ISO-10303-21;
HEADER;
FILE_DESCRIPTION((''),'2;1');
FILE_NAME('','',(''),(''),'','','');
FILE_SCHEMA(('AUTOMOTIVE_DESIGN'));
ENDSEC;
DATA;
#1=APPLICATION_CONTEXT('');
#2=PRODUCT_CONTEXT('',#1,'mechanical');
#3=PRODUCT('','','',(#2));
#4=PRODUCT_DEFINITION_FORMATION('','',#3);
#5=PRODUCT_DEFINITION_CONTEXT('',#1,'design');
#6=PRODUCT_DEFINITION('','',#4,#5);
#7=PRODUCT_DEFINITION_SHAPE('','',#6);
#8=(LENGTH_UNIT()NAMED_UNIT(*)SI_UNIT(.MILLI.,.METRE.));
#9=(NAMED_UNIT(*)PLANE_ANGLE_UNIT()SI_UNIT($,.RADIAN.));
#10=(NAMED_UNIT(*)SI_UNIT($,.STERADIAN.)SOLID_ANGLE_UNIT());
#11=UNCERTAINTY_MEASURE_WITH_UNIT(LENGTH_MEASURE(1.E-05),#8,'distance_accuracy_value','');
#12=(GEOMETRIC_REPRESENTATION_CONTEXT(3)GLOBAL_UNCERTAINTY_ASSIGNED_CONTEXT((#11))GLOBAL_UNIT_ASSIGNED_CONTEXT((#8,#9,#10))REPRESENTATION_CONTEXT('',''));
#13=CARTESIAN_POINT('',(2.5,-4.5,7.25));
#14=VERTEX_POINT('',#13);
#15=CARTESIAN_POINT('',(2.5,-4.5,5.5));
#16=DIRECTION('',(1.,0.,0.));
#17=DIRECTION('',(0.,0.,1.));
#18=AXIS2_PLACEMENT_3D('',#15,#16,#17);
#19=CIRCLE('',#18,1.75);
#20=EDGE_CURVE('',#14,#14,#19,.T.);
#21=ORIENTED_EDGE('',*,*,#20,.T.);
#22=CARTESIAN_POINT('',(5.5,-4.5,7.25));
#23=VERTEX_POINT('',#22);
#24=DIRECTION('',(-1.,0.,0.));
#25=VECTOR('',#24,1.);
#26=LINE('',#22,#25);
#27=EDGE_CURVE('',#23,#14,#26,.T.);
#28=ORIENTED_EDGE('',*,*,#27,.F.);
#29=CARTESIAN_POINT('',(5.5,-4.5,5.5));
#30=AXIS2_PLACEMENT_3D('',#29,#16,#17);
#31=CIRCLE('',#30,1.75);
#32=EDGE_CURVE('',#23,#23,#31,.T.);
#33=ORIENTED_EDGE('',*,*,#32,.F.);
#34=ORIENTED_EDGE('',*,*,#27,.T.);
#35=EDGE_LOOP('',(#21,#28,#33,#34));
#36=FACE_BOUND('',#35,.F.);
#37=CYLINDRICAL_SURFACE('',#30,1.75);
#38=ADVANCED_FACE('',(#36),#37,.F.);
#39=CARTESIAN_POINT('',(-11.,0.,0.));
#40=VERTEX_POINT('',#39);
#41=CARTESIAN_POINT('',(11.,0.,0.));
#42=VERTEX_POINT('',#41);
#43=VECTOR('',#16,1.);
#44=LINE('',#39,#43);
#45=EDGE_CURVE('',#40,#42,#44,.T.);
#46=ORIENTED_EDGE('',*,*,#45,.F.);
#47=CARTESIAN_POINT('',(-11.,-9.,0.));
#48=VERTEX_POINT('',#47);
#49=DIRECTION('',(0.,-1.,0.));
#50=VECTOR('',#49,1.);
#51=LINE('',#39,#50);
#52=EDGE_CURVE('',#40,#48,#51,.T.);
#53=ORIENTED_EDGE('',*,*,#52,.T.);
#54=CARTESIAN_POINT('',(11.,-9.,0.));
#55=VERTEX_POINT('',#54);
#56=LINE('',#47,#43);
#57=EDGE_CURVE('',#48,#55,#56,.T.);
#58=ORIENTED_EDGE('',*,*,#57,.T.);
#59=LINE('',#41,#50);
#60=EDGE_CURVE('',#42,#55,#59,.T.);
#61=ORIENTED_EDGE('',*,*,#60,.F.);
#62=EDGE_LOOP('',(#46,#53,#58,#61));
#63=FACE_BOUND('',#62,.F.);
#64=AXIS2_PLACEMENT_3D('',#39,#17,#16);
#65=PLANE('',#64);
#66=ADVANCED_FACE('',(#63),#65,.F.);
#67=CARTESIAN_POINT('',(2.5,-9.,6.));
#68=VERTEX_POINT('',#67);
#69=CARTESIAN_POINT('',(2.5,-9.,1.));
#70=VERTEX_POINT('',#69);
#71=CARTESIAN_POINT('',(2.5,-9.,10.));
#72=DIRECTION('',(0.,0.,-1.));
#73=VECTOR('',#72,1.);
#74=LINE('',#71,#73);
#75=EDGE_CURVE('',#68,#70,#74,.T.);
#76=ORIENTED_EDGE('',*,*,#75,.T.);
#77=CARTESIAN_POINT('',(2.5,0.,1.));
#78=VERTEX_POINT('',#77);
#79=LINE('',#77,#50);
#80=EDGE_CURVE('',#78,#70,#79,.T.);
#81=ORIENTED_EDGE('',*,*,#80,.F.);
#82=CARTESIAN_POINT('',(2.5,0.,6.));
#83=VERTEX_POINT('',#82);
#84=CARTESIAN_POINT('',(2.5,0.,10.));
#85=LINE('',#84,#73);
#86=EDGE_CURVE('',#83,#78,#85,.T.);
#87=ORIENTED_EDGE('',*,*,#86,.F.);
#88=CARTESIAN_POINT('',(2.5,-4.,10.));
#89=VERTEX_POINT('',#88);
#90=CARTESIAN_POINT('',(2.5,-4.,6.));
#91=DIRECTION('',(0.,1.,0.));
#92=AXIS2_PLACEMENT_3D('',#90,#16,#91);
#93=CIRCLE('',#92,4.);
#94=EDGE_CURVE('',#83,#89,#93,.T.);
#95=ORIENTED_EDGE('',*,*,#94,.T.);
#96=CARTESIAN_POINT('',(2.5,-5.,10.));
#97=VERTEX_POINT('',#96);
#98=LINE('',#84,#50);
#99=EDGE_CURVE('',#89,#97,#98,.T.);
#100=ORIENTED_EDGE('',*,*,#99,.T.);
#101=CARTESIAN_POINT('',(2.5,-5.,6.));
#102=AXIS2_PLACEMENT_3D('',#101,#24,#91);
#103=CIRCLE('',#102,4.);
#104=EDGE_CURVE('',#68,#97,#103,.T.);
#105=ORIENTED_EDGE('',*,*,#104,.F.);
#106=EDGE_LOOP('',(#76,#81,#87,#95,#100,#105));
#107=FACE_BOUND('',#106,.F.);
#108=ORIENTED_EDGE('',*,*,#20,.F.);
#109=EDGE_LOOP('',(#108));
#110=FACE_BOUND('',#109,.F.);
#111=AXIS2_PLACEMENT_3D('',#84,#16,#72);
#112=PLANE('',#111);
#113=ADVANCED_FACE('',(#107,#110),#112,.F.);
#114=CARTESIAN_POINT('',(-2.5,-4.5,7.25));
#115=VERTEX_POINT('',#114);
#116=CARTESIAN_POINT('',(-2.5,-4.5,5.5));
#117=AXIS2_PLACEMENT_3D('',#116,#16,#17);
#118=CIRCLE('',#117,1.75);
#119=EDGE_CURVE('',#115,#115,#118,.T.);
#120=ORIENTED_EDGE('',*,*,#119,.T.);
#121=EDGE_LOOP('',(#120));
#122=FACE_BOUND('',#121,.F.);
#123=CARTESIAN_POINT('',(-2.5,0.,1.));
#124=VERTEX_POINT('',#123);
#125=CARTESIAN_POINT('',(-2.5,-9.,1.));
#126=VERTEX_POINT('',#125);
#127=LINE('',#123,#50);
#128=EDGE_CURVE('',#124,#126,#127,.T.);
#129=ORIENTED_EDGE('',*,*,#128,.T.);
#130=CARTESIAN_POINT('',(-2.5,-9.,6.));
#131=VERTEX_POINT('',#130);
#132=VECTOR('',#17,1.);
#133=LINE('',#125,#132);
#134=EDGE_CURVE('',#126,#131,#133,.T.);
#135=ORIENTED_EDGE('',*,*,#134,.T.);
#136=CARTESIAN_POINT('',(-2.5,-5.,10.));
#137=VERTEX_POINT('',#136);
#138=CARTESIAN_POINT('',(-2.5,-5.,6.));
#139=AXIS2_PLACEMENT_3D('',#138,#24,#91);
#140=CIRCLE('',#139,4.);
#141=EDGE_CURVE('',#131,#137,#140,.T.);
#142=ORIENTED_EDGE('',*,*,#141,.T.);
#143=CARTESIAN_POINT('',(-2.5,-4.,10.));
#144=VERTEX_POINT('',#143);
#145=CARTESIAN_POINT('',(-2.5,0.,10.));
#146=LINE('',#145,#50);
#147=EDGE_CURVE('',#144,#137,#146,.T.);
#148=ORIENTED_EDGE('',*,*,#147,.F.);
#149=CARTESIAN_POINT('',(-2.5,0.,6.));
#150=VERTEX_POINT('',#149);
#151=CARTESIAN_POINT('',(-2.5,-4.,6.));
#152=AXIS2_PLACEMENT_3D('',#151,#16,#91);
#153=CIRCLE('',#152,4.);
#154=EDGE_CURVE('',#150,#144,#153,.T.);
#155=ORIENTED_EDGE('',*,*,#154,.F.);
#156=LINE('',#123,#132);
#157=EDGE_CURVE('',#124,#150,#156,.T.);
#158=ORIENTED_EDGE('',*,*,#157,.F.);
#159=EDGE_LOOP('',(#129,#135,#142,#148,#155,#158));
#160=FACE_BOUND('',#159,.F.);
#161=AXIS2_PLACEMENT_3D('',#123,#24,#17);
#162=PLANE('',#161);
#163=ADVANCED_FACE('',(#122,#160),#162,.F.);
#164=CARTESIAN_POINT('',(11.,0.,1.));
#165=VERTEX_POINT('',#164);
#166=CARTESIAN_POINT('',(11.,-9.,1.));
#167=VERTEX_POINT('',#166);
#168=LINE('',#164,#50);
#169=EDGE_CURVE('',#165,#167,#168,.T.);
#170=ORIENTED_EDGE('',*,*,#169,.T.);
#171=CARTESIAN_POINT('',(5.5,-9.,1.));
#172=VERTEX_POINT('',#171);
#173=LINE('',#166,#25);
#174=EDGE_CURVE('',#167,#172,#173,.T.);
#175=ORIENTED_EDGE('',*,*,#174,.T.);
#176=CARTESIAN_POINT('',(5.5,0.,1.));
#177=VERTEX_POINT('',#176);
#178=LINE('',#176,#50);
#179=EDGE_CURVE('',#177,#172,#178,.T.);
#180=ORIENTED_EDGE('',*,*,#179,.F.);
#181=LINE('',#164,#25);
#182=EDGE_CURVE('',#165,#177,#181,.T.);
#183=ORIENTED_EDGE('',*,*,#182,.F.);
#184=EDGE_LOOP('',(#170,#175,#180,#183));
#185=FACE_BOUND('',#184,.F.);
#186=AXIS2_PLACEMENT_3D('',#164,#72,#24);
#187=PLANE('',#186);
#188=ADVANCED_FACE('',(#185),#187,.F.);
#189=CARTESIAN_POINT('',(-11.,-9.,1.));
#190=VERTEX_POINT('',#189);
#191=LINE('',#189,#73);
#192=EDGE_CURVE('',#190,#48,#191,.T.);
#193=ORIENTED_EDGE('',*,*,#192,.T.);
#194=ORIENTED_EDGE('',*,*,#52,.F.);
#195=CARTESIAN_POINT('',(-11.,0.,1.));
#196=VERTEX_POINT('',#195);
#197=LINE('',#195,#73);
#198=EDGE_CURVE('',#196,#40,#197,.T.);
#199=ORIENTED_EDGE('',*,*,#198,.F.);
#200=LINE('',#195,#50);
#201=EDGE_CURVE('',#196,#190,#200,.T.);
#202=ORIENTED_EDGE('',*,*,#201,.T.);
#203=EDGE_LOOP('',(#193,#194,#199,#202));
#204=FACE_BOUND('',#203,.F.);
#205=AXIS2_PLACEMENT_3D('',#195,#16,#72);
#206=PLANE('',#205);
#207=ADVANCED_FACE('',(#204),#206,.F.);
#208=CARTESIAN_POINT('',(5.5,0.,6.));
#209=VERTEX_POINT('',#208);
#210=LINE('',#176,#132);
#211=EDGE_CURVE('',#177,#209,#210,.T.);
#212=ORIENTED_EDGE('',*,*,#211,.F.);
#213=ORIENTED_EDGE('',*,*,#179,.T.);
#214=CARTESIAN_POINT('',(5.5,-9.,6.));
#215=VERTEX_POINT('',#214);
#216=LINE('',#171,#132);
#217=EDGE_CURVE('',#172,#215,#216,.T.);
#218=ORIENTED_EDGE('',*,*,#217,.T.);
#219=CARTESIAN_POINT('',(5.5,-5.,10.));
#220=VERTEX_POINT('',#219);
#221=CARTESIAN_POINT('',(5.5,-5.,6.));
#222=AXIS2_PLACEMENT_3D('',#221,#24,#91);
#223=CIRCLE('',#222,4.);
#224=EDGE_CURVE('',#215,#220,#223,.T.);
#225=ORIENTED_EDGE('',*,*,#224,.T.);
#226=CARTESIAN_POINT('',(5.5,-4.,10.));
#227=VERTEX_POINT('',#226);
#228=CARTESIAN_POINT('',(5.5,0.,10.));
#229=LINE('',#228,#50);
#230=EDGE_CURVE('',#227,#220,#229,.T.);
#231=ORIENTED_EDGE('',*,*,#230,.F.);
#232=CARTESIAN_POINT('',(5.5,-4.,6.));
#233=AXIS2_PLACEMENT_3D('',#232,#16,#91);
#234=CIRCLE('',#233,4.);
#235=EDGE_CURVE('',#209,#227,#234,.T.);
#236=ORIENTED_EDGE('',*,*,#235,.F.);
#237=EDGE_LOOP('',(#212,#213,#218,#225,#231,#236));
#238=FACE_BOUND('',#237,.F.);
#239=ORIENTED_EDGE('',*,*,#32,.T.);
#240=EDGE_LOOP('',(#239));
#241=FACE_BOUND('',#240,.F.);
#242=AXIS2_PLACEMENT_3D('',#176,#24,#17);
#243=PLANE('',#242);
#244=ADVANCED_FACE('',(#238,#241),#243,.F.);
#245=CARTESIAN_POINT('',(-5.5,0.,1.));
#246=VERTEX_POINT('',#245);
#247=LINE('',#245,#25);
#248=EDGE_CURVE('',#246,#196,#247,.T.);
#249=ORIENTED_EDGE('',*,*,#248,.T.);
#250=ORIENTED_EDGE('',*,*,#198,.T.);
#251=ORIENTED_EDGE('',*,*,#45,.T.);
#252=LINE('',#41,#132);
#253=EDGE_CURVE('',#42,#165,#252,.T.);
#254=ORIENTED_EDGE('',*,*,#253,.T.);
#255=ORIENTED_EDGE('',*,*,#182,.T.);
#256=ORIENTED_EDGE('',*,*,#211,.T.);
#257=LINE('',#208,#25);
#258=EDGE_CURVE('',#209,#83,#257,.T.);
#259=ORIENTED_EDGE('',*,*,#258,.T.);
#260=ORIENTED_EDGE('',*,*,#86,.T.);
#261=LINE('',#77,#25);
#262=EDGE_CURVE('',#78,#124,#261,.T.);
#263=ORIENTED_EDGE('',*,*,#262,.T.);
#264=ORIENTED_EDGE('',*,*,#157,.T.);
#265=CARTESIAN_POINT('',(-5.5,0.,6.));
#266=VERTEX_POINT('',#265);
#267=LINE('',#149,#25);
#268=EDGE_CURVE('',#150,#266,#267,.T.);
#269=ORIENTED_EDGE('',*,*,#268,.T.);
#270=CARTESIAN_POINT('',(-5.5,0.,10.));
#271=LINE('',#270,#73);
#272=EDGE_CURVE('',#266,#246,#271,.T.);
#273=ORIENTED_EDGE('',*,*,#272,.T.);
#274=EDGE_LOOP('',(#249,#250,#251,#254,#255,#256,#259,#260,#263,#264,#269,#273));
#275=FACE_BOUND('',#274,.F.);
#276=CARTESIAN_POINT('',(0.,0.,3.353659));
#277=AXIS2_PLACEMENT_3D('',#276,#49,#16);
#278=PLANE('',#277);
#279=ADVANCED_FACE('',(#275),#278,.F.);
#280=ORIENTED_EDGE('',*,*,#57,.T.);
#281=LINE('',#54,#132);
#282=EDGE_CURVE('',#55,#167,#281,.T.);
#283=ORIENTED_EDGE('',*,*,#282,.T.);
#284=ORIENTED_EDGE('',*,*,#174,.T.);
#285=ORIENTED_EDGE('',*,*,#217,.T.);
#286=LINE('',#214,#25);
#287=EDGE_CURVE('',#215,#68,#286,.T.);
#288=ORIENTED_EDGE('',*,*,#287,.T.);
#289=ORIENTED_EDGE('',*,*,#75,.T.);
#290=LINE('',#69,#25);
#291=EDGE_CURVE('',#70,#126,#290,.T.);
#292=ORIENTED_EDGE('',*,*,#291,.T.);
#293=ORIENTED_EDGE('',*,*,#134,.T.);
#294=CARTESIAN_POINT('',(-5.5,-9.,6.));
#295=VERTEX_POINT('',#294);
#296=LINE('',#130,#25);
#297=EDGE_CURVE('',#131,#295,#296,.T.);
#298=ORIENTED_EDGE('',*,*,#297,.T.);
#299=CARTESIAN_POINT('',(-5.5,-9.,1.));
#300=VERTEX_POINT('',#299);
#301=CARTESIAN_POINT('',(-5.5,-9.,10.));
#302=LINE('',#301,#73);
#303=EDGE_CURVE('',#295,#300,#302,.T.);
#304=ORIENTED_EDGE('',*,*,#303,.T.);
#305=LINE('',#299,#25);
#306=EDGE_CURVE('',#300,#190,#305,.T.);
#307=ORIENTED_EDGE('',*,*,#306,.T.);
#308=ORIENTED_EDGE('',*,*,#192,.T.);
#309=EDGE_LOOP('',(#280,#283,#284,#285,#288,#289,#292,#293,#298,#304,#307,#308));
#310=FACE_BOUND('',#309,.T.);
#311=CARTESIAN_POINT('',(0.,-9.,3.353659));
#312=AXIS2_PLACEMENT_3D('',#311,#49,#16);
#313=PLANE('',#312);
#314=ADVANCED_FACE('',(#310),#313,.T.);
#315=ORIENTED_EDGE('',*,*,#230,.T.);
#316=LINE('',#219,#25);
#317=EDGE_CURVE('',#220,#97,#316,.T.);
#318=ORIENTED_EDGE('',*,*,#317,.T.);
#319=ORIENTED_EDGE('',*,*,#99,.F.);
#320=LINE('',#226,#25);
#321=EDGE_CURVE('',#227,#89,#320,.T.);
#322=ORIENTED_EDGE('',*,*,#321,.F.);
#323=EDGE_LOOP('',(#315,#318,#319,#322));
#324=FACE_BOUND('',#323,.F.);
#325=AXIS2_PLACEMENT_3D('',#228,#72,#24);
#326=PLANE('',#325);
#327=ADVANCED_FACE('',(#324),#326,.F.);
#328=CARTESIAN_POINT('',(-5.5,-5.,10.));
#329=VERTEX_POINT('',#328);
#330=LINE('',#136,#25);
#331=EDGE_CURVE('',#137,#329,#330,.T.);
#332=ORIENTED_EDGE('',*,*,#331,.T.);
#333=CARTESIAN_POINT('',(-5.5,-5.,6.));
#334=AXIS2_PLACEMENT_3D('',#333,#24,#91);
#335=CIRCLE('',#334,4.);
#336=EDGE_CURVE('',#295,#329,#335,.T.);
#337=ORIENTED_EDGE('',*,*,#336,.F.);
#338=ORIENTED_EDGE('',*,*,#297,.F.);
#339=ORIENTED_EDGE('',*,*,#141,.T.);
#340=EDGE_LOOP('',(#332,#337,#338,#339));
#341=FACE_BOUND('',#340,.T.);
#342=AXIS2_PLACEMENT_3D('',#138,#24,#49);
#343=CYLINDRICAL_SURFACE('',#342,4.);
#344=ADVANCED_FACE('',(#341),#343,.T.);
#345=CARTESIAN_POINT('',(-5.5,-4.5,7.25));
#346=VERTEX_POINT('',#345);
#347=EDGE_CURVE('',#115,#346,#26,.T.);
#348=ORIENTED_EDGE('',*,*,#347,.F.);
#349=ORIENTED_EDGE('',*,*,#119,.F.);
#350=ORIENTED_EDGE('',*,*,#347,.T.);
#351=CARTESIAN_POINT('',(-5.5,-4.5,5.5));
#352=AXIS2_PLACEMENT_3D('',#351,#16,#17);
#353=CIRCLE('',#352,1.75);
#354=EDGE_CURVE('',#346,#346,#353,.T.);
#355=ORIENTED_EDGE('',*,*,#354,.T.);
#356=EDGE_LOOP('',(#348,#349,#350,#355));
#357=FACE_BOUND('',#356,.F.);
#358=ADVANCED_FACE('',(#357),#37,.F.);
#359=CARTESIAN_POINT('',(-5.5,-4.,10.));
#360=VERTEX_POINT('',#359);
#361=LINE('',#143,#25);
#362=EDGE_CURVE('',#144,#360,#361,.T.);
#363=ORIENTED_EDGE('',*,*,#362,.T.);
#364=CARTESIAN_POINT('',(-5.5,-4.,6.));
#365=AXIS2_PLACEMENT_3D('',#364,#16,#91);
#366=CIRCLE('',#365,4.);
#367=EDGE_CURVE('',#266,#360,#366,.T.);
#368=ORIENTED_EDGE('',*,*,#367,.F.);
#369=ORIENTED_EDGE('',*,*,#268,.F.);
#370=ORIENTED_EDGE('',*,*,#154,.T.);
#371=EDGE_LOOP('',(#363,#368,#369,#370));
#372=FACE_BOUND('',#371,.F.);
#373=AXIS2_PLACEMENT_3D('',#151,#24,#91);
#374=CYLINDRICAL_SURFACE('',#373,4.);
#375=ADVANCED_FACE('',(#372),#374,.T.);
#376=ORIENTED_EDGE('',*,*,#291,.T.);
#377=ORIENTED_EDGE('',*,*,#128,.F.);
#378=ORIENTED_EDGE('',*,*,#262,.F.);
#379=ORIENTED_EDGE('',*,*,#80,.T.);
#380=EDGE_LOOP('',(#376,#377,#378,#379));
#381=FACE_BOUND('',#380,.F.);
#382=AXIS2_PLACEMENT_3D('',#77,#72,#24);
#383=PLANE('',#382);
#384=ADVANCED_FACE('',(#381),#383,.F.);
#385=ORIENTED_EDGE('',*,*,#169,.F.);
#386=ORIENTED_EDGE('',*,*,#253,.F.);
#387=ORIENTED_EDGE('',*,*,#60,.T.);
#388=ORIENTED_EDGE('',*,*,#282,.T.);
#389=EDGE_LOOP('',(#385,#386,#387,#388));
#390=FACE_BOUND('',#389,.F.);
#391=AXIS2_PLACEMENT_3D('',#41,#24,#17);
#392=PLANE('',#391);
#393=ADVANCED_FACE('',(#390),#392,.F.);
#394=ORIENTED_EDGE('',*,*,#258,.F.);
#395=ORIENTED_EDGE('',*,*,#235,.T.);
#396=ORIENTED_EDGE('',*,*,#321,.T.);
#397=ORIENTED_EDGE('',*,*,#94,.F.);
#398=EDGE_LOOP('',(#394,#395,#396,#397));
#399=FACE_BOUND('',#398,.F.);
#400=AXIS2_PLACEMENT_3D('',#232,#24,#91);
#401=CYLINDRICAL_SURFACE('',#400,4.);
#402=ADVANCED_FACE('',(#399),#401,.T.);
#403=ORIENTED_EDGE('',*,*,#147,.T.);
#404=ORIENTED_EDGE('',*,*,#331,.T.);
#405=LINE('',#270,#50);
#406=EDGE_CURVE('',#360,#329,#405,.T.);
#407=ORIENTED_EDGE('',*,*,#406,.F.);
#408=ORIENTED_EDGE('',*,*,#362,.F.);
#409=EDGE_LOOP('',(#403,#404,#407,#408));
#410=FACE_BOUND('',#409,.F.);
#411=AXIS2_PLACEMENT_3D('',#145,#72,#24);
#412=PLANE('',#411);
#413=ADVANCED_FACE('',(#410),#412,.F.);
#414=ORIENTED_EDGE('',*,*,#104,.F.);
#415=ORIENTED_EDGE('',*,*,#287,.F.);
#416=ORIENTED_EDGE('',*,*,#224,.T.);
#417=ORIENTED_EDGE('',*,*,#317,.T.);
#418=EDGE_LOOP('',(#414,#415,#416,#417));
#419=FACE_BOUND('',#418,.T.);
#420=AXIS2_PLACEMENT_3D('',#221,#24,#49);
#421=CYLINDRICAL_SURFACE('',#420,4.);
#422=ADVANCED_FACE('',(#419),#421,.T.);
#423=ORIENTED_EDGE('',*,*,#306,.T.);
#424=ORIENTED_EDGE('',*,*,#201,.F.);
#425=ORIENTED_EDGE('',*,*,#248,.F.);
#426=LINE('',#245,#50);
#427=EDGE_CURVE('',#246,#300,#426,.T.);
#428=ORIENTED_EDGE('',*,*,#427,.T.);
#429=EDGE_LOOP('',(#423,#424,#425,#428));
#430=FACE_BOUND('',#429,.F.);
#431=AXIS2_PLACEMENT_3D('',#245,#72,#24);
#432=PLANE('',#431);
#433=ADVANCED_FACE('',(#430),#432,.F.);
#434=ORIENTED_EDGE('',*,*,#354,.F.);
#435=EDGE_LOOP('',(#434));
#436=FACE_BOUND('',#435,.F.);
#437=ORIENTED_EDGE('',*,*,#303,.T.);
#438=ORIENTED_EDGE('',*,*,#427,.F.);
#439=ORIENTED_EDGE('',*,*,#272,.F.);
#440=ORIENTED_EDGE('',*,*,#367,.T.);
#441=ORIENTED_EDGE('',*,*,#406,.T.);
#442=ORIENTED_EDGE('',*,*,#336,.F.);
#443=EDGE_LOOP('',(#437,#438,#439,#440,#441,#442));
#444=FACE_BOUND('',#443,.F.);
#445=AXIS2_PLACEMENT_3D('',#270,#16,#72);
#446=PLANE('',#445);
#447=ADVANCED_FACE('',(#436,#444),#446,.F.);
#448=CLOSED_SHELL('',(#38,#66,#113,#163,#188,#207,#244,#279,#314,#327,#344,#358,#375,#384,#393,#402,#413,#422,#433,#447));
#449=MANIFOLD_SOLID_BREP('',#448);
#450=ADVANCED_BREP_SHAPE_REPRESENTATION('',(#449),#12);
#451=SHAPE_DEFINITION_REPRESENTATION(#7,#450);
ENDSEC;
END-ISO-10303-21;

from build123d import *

# Parameters (mm, degrees)
F1_DEPTH = 9
F2_R     = 1.75
F3_DEPTH = 25
F4_R     = 4
F5_ANGLE = 90


with BuildPart() as f1:
    # F0 (on Top) → F1 (new body)
    with BuildSketch(Plane.XY):
        Polygon((-11, 1), (-11, 0), (11, 0), (11, 1), (5.5, 1), (5.5, 10), (2.5, 10), (2.5, 1), (-2.5, 1), (-2.5, 10), (-5.5, 10), (-5.5, 1), align=None)
    extrude(amount=F1_DEPTH)

    # F2 (on face) → F3 (cut)
    with BuildSketch(Plane.YZ.offset(5.5)):
        with Locations((5.5, 4.5)):
            Circle(F2_R)
    extrude(amount=-F3_DEPTH, mode=Mode.SUBTRACT)

    # F4
    f4_edges = [f1.edges().sort_by_distance(p)[0] for p in [
        (-4, 10, 9),
        (4, 10, 9),
        (4, 10, 0),
        (-4, 10, 0),
    ]]
    fillet(f4_edges, radius=F4_R)


with BuildPart() as f1_1:
    # F5: moved
    add(f1.part.rotate(Axis((0, 0, 0), (1, 0, 0)), F5_ANGLE))


solid = f1_1.part
